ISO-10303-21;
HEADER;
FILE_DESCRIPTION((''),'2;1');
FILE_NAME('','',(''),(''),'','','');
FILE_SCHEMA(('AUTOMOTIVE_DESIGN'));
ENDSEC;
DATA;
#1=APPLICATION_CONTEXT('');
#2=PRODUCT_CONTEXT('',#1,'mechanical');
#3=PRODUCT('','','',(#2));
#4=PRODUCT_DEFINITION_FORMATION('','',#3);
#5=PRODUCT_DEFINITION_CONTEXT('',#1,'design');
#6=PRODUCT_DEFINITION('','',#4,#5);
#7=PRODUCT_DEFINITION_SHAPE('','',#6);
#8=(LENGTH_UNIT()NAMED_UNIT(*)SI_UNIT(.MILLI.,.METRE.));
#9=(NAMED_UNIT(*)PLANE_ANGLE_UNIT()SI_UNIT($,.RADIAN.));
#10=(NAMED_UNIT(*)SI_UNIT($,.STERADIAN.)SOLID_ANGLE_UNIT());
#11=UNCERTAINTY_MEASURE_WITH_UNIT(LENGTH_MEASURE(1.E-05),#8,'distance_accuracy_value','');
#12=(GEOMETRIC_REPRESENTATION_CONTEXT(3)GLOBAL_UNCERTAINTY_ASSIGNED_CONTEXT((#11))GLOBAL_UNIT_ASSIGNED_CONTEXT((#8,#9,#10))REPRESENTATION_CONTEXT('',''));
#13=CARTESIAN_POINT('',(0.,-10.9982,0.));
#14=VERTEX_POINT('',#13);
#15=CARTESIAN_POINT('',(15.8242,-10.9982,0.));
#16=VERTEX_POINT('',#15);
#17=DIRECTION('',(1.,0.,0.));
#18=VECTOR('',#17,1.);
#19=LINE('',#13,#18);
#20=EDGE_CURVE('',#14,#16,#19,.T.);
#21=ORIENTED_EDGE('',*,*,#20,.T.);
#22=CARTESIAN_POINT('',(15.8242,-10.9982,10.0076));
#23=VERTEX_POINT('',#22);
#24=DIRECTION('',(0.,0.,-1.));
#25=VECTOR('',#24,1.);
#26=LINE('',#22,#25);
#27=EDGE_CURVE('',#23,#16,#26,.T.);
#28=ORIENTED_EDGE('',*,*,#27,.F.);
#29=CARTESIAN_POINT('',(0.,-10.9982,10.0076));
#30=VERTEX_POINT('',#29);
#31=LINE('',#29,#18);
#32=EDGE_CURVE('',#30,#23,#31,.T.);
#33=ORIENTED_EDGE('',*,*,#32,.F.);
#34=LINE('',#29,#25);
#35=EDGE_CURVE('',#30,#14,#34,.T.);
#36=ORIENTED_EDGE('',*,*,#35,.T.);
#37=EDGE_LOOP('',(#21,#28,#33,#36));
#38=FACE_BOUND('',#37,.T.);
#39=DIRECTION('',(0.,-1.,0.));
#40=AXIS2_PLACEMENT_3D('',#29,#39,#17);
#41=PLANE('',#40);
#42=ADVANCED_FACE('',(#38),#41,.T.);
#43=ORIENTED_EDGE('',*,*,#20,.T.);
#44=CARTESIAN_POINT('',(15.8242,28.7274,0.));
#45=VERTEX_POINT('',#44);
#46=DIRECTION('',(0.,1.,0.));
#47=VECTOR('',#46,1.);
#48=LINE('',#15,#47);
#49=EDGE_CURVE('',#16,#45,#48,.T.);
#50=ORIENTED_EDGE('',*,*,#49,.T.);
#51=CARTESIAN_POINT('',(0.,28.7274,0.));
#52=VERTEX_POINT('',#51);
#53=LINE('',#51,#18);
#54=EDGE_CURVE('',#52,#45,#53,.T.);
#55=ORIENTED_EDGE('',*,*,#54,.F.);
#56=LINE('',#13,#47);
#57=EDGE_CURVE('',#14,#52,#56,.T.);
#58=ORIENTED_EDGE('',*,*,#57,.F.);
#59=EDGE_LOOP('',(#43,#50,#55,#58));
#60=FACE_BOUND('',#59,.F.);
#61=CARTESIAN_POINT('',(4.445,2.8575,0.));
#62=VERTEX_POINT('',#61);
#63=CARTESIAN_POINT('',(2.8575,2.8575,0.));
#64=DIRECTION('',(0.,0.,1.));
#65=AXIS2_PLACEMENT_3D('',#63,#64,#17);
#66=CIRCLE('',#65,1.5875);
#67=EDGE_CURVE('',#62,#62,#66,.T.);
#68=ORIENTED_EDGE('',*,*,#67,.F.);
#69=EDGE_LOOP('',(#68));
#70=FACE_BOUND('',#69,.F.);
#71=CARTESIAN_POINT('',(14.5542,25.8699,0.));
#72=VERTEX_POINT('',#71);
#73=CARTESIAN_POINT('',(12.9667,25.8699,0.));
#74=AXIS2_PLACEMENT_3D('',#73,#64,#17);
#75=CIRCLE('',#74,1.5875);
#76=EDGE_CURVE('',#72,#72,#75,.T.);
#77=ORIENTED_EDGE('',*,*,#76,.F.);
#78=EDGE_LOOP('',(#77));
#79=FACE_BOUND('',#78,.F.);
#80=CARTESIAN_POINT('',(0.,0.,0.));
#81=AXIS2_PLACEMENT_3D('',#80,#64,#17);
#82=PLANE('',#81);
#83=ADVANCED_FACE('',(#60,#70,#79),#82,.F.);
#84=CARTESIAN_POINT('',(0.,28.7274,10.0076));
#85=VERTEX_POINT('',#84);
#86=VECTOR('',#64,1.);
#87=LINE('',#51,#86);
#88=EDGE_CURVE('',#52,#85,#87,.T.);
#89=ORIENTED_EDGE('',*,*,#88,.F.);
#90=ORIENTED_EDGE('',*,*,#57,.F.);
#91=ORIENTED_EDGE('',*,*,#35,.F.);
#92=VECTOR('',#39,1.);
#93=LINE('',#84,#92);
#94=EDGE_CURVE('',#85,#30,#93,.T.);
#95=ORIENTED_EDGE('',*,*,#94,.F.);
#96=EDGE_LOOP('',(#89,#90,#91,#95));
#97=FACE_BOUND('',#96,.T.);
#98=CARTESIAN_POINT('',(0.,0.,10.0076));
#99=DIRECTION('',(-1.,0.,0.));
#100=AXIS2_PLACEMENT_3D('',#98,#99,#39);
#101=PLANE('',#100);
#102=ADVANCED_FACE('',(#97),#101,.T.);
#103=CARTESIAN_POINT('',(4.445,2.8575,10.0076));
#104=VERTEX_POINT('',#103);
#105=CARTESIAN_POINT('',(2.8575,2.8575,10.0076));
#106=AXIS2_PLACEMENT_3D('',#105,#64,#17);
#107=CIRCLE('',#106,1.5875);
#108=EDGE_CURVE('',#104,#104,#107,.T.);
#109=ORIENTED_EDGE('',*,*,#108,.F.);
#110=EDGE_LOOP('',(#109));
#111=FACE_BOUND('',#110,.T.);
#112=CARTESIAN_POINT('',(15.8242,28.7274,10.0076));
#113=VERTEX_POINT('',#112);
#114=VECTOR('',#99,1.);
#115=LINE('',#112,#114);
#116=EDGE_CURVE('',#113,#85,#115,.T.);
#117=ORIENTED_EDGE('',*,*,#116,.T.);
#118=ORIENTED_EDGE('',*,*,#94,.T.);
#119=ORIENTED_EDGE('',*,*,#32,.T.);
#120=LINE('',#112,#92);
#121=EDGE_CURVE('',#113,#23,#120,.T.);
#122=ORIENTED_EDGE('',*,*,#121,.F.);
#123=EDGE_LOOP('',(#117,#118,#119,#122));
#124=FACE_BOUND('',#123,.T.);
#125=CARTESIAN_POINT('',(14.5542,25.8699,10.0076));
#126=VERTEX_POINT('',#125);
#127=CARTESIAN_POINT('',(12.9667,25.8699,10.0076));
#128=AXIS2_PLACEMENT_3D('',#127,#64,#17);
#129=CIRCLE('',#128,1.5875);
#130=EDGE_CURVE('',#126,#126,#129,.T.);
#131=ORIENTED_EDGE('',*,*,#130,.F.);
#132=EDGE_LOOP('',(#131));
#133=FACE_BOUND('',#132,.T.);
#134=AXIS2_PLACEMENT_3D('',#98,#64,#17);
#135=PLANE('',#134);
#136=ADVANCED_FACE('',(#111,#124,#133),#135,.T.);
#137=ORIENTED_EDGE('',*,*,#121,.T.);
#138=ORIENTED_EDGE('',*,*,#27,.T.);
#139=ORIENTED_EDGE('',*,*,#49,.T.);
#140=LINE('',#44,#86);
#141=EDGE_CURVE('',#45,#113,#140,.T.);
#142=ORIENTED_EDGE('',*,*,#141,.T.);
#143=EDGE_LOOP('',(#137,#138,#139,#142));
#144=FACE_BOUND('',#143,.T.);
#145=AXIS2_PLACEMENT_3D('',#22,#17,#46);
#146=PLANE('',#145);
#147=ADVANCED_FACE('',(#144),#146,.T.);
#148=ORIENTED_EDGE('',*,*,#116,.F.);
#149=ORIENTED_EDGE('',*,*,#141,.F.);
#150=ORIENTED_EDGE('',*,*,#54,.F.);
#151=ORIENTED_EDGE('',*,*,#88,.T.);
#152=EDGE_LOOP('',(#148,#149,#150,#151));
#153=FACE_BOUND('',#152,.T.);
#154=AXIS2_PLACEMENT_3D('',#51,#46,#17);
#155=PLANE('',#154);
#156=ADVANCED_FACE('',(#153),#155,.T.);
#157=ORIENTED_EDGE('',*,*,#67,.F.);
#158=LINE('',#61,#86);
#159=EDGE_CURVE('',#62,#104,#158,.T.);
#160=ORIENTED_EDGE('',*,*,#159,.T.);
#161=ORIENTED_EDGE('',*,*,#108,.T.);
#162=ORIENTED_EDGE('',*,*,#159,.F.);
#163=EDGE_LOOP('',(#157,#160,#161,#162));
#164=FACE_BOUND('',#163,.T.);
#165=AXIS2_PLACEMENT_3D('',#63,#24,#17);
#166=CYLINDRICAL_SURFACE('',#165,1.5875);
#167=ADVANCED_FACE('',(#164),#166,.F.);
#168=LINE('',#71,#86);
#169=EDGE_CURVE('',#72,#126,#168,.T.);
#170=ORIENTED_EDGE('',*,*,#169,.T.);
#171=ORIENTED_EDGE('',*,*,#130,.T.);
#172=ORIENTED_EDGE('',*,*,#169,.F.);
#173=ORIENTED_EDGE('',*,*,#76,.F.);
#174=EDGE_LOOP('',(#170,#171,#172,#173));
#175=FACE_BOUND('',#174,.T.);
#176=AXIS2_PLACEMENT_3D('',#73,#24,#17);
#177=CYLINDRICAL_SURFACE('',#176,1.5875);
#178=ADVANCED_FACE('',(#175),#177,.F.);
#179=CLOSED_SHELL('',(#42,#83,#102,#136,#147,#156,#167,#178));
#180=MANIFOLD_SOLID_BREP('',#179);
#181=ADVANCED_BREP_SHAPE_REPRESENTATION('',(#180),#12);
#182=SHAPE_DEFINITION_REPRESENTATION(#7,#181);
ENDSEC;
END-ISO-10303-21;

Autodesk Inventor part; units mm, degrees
ref_plane "YZ Plane" through (0, 0, 0) normal (1, 0, 0) x (0, 1, 0)
ref_plane "XZ Plane" through (0, 0, 0) normal (0, 1, 0) x (-1, 0, 0)
ref_plane "XY Plane" through (0, 0, 0) normal (0, 0, 1) x (1, 0, 0)
sketch "Sketch1" plane through (0, 0, 0) normal (0, 0, 1) x (1, 0, 0)
  line L0 (0, 0) -> (0, 28.7274)
  line L1 (0, 28.7274) -> (15.8242, 28.7274)
  line L2 (15.8242, 28.7274) -> (15.8242, 0)
  line L3 (15.8242, 0) -> (0, 0)
  circle A0 centre (12.9667, 25.8699) radius 1.5875
  circle A1 centre (12.9667, 25.8699) radius 2.8575
  circle A2 centre (2.8575, 2.8575) radius 1.5875
  circle A3 centre (2.8575, 2.8575) radius 2.8575
  dimension "d0" = 28.7274
  dimension "d1" = 15.8242
  dimension "d2" = 3.175
  dimension "d3" = 5.715
  dimension "d4" = 3.175
  dimension "d5" = 5.715
extrude "Extrusion1" add sketch "Sketch1" along normal blind 10.0076
sketch "Sketch2" plane through (0, 0, 10.0076) normal (0, 0, 1) x (1, 0, 0)
  line L0 (0, 0) -> (15.8242, 0) projected
  line L1 (15.8242, 28.7274) -> (0, 28.7274) projected
  line L2 (0, 0) -> (0, -10.9982)
  line L3 (0, -10.9982) -> (15.8242, -10.9982)
  line L4 (15.8242, -10.9982) -> (15.8242, 0)
  dimension "d8" = 10.9982
extrude "Extrusion2" add sketch "Sketch2" against normal blind 10.0076
properties part number "Limit Switch"
